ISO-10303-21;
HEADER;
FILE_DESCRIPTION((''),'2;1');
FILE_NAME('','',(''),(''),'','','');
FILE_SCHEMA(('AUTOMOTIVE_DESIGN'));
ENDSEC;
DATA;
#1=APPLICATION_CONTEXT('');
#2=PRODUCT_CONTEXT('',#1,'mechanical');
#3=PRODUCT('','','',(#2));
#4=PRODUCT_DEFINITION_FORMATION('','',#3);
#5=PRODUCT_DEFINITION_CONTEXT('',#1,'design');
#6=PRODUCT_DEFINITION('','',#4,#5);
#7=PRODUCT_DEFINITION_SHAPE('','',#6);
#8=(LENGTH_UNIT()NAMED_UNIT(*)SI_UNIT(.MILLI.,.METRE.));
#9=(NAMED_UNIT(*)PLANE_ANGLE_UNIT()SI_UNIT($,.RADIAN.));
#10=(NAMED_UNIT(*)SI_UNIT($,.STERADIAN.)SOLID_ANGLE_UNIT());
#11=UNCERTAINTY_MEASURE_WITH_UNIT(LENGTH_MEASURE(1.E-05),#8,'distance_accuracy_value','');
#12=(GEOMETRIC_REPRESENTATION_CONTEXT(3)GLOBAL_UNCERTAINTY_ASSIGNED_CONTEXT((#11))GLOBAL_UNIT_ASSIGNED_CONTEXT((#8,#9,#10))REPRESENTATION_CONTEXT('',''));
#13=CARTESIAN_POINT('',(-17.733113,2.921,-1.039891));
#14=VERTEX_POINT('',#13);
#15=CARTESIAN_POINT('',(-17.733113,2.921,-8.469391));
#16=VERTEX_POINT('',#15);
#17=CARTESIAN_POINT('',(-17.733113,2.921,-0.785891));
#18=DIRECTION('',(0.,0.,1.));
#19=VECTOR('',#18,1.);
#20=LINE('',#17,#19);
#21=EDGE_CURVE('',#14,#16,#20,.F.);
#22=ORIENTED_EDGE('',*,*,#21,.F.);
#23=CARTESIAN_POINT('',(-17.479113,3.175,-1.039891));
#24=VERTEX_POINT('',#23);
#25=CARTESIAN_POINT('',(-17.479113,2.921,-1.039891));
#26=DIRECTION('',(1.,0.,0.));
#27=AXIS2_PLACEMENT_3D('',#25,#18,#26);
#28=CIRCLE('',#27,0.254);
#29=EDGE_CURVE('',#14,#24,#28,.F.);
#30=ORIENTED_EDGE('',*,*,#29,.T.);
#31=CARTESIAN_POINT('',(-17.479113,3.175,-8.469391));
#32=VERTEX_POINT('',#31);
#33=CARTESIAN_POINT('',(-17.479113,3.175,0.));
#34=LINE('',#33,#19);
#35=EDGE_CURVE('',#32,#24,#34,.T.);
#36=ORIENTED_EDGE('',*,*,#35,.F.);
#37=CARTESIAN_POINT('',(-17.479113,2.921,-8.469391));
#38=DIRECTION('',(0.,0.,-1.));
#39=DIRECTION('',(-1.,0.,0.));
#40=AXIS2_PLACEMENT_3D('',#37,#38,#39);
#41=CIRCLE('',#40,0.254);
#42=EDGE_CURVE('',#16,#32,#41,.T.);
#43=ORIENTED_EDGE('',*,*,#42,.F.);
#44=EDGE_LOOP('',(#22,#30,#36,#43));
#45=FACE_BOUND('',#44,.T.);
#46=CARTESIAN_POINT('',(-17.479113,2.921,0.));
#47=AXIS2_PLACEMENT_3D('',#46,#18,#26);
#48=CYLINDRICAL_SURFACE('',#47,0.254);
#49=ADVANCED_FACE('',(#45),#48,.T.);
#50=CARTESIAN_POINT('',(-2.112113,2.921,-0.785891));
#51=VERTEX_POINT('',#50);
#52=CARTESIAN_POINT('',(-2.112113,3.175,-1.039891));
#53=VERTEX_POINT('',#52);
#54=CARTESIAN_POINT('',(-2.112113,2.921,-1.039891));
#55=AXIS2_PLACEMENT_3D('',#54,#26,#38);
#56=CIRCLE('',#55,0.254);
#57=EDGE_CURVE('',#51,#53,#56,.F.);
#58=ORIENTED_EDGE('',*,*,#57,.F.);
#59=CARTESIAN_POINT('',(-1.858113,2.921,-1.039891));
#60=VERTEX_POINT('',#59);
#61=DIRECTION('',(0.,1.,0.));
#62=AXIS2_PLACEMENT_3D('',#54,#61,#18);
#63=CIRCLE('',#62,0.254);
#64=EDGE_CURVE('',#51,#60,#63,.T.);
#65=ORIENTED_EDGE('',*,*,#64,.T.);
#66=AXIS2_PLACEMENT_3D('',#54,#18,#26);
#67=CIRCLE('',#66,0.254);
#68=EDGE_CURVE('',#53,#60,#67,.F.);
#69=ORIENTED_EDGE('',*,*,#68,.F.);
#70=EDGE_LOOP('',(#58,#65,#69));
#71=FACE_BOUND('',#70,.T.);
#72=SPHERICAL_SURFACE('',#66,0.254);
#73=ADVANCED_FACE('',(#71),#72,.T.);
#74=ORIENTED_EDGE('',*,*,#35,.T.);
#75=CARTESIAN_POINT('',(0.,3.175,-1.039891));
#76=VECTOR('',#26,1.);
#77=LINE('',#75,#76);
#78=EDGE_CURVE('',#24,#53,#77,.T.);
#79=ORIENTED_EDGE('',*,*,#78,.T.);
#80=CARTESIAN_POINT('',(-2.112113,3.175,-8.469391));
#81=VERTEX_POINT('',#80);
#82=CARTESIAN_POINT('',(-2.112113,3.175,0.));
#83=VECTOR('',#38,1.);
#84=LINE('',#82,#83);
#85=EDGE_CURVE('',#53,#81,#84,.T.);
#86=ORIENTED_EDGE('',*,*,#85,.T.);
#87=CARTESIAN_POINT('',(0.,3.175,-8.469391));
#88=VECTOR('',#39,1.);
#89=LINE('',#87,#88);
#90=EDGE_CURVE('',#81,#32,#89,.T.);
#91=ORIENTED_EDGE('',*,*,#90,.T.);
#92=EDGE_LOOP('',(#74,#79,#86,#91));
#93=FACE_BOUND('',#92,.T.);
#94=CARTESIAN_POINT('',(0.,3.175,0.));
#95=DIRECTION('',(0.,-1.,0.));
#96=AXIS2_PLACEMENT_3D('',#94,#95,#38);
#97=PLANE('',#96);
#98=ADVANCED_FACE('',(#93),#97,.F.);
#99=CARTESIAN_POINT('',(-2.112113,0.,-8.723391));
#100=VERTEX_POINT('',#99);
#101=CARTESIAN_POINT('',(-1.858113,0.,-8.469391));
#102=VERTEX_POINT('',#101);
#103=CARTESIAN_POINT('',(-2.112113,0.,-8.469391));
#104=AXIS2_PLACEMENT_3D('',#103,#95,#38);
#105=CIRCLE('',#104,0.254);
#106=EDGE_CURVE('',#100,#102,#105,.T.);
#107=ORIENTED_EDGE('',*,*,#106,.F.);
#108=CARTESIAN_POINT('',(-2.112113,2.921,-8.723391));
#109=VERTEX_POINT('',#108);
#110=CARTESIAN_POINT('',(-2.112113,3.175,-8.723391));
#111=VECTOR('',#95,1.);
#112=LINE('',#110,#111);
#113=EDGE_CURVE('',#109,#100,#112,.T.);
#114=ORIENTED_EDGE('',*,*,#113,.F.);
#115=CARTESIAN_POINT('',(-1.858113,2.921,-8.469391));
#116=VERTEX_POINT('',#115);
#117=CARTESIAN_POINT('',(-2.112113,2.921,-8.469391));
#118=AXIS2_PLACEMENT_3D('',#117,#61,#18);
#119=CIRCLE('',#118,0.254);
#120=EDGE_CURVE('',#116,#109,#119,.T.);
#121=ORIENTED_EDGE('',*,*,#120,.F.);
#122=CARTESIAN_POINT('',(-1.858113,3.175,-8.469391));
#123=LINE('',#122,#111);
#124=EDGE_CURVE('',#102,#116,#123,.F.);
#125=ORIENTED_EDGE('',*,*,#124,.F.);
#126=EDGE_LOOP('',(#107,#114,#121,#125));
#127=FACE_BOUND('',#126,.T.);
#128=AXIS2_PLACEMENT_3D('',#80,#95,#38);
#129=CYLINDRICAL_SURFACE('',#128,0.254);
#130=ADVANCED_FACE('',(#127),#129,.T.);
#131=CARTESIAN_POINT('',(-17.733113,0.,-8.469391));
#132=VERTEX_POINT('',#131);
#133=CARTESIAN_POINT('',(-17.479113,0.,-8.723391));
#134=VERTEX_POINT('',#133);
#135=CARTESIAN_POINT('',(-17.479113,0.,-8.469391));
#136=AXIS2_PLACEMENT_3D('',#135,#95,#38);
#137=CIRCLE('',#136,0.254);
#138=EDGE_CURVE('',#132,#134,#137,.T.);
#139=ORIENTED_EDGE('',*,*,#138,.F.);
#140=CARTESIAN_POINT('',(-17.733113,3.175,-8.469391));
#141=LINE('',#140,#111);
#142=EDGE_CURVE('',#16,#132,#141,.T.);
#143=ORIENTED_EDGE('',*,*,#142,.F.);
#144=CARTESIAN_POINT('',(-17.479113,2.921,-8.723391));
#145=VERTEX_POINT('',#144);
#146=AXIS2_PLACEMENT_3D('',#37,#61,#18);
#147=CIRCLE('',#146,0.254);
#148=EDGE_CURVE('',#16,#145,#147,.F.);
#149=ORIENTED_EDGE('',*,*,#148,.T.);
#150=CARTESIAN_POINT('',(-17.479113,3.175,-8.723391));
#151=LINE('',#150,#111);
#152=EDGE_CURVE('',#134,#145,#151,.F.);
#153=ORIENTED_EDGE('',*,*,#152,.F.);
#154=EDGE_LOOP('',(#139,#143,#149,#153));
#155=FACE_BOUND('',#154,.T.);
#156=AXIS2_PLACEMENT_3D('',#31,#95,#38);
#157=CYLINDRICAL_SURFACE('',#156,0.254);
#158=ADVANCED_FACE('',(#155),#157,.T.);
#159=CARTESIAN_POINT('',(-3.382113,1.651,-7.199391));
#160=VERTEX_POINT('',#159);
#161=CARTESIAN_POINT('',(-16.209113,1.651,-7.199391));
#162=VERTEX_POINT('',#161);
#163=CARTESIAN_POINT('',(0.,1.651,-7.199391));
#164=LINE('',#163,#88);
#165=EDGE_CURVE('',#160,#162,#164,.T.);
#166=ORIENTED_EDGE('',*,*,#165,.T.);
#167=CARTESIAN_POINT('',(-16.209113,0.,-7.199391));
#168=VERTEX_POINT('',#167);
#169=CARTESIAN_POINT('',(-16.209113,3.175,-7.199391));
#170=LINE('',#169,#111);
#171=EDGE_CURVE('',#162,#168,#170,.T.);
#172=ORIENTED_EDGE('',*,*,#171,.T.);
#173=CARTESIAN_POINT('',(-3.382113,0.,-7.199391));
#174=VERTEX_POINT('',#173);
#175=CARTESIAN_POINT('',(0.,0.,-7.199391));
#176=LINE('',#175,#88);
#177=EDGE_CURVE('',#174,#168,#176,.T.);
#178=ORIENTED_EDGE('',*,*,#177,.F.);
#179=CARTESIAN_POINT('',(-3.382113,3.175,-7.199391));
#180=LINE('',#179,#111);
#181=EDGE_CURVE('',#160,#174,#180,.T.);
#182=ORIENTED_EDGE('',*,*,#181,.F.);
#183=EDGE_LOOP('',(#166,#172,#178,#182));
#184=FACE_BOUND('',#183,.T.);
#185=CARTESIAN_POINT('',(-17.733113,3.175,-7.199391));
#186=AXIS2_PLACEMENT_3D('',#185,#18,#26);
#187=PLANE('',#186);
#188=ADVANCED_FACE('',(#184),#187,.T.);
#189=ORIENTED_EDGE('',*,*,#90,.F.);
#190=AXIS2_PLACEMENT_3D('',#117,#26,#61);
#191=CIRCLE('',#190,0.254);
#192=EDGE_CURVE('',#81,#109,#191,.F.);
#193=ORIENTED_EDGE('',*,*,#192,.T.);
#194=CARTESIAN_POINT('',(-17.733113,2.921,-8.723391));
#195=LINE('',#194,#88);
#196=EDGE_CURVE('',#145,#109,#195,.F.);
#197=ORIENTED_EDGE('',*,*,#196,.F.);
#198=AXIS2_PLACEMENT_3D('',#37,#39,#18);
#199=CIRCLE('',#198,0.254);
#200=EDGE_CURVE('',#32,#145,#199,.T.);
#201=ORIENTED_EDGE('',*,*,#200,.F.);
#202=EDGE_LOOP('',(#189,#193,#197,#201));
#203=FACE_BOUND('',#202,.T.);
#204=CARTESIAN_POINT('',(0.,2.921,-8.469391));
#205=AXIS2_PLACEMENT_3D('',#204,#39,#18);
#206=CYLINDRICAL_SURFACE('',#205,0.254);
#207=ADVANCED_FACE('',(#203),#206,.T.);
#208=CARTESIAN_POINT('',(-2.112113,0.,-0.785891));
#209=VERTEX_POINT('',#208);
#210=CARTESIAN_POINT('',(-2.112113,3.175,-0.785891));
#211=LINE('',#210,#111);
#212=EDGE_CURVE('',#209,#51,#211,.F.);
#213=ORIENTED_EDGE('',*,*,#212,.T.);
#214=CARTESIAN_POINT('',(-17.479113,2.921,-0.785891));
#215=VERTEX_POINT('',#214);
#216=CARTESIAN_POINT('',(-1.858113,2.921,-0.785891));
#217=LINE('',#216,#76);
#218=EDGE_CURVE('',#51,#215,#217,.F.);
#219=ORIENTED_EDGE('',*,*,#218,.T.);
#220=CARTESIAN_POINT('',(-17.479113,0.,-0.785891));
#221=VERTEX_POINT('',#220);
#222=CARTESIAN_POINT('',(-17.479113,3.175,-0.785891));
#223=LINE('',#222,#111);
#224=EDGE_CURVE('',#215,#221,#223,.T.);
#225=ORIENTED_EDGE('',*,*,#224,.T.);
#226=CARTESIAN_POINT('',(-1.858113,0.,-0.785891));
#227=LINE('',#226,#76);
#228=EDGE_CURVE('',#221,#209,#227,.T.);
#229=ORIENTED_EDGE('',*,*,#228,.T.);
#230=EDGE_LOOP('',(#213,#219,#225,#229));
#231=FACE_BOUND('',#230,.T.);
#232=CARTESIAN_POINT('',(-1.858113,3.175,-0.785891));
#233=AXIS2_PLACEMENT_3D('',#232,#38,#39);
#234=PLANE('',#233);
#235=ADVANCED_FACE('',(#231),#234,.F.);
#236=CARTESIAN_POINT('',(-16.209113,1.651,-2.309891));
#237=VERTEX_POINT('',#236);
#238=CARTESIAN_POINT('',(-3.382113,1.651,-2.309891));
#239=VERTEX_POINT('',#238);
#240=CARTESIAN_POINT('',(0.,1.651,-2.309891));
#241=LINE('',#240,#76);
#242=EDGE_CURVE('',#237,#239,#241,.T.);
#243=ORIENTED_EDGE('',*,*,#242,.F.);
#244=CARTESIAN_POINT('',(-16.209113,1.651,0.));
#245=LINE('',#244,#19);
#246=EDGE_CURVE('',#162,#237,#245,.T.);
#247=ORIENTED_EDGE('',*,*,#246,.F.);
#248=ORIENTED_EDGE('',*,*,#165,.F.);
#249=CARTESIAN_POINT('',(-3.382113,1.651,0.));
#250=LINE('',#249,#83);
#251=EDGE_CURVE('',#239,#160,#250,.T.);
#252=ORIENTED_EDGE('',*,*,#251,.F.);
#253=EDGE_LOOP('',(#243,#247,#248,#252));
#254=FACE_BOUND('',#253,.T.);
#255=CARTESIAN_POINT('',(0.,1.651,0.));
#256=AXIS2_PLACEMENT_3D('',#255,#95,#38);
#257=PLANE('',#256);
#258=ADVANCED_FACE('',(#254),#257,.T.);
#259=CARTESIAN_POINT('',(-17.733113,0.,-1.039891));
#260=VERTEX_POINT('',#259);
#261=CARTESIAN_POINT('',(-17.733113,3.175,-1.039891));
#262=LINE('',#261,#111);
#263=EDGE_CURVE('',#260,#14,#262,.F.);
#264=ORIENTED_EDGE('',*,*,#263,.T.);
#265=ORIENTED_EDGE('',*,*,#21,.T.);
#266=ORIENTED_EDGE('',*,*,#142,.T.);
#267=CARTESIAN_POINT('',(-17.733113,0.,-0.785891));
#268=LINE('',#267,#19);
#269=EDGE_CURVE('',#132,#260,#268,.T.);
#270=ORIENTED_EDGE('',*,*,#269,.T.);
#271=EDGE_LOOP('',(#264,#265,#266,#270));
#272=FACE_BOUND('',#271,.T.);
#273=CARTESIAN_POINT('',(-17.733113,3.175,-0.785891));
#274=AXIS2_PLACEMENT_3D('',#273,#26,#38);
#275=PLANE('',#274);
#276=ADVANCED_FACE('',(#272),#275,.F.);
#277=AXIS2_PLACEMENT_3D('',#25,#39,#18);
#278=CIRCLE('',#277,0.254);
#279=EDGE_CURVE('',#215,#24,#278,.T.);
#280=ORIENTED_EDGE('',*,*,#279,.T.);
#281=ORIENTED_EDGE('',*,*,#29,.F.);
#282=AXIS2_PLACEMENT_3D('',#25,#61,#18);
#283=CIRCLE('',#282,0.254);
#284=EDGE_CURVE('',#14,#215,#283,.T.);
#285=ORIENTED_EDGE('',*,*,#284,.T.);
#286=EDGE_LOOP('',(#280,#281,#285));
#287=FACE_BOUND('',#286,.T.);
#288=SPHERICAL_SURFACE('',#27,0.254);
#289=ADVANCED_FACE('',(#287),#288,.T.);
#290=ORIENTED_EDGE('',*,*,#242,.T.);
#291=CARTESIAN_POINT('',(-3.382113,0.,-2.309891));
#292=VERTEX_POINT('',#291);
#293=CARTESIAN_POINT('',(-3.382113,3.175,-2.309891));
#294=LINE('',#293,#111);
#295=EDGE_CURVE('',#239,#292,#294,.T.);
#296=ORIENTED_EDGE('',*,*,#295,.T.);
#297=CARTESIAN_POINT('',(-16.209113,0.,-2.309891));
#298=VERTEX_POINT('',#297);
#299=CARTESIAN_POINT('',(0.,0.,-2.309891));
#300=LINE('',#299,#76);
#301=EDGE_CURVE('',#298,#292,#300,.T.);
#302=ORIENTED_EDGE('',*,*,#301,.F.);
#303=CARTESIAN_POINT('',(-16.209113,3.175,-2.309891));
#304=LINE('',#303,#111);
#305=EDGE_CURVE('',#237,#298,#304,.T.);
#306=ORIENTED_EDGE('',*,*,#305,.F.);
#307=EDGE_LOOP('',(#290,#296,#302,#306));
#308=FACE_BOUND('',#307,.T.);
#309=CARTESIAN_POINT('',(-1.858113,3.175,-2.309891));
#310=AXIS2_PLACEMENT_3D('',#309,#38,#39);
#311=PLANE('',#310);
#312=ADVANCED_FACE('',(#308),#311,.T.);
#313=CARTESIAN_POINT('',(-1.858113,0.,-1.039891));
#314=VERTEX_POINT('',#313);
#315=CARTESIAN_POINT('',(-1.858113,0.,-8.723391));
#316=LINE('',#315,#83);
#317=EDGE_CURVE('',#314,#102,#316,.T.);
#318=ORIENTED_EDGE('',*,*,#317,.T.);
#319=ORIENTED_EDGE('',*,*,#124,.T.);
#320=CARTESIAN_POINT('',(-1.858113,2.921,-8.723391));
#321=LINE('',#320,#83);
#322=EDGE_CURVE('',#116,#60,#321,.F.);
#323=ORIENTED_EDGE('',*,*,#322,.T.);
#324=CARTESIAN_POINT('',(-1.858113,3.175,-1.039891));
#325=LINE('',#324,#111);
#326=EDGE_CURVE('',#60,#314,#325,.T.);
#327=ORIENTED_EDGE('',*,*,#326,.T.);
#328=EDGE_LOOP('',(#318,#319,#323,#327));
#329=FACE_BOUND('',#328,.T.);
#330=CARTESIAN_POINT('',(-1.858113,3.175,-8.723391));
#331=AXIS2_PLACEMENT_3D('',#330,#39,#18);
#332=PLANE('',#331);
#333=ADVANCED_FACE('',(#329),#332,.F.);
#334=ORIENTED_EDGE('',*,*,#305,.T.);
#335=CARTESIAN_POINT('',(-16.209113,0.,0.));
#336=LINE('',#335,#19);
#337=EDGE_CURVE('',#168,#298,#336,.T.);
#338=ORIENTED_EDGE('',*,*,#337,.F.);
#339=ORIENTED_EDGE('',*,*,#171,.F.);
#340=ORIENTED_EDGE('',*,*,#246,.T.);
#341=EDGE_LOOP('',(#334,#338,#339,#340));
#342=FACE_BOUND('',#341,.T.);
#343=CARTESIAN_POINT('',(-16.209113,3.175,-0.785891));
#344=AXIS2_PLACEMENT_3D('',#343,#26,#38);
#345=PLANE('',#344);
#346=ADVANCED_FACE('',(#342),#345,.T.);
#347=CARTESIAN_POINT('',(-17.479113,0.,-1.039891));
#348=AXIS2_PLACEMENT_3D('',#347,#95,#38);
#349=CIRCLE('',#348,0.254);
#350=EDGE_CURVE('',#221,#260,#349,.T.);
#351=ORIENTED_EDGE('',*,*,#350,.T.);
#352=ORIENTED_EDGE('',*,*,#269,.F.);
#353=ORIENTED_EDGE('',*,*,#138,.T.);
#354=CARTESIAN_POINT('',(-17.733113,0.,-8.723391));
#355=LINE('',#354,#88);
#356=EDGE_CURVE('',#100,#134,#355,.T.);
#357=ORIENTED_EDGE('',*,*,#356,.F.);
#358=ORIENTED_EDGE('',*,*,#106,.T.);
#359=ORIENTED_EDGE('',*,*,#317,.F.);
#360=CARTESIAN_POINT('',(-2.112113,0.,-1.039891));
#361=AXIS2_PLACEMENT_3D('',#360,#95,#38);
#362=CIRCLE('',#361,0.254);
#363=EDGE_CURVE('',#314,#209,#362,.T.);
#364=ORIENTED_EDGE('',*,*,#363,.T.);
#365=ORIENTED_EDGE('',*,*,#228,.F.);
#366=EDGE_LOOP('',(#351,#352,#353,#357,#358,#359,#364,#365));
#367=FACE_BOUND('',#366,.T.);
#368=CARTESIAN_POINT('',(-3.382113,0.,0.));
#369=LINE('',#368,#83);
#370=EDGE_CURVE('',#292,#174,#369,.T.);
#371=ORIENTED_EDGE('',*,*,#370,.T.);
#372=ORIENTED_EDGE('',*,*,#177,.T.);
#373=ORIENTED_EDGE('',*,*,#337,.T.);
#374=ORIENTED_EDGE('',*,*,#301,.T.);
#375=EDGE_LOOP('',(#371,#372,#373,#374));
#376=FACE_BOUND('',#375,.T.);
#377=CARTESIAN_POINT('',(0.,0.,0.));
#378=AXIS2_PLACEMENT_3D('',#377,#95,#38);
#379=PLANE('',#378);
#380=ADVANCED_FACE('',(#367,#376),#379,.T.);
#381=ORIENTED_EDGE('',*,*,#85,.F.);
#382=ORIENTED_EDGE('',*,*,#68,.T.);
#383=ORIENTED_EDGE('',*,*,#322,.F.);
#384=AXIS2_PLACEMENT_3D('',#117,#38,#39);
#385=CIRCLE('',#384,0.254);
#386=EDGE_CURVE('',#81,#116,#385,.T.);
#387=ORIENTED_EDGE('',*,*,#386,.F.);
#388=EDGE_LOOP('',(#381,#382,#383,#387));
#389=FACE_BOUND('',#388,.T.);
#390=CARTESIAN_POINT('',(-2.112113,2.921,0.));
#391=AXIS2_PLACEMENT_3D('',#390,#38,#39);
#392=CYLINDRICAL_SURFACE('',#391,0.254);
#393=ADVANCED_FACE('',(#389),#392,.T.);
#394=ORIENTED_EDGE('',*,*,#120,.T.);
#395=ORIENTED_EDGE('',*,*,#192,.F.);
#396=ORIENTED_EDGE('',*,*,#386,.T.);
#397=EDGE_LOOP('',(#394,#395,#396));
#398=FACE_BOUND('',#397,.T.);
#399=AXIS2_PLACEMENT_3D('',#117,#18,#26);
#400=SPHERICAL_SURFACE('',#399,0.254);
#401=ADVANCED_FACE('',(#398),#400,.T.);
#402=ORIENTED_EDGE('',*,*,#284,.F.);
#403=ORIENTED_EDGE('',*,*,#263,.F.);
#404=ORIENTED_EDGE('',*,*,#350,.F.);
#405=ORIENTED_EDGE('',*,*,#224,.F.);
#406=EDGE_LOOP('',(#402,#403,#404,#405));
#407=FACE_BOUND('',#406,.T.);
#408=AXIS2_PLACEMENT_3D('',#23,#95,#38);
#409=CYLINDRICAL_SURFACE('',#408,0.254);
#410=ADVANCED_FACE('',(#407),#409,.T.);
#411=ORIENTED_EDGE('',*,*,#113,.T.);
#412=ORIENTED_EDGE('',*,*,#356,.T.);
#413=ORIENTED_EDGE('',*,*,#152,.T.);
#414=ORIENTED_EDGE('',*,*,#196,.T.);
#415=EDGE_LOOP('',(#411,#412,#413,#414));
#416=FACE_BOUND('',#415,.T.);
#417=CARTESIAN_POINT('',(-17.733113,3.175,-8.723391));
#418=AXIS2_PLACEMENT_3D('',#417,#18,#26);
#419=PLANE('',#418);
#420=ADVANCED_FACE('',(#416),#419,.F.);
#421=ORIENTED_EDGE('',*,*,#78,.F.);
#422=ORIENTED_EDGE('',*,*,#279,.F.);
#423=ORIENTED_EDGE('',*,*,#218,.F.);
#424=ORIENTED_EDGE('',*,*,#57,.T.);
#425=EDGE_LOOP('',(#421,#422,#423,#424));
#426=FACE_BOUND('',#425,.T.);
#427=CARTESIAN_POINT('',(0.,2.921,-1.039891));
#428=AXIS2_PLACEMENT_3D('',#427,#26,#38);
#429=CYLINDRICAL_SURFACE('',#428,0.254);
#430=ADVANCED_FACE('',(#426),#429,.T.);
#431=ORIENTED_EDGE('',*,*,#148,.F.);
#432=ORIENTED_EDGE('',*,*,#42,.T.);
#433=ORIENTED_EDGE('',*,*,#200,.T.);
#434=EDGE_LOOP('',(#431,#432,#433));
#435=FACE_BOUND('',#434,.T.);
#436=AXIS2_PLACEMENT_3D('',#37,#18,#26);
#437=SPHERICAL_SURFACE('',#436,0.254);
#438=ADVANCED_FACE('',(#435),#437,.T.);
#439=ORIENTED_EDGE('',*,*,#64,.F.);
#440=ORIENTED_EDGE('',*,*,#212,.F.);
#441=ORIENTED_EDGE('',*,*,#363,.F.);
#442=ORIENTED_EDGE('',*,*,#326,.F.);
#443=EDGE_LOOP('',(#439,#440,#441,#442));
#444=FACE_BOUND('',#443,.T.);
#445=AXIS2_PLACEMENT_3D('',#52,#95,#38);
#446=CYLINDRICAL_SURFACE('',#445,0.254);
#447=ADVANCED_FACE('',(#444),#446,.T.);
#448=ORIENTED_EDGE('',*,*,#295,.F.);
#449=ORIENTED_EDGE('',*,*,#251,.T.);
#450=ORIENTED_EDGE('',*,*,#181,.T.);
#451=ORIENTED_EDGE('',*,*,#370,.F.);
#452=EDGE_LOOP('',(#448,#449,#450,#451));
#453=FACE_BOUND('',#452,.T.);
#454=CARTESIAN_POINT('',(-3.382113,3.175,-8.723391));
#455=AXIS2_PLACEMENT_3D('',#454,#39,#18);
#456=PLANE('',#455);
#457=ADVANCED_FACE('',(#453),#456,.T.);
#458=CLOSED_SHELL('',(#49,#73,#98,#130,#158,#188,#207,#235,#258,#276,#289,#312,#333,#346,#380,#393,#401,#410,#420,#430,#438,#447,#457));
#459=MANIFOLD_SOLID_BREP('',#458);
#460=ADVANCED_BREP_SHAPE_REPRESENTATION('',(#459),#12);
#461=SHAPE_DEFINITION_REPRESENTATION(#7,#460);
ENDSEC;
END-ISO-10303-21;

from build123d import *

# Parameters (mm, degrees)
SKETCH2_W           = 15.875
SKETCH2_H           = 7.9375
BOSS_EXTRUDE3_DEPTH = 3.175
SHELL1_T            = -1.524
FILLET1_R           = 0.254


with BuildPart() as part:
    # Sketch2 → Boss-Extrude3 (new body)
    with BuildSketch(Plane(origin=(0, 0, 0), x_dir=(1, 0, 0), z_dir=(0, 1, 0))):
        with Locations((-9.795613381, 4.754641089)):
            Rectangle(SKETCH2_W, SKETCH2_H)
    extrude(amount=BOSS_EXTRUDE3_DEPTH)

    # Shell1
    shell1_openings = [part.faces().sort_by_distance(p)[0] for p in [
        (-9.795613381, 0, -4.754641089),
    ]]
    offset(amount=SHELL1_T, openings=shell1_openings, kind=Kind.INTERSECTION)

    # Fillet1
    fillet1_edges = [part.edges().sort_by_distance(p)[0] for p in [
        (-1.858113381, 3.175, -4.754641089),
        (-9.795613381, 3.175, -8.723391089),
        (-17.733113381, 3.175, -4.754641089),
        (-17.733113381, 1.5875, -8.723391089),
        (-1.858113381, 1.5875, -8.723391089),
        (-1.858113381, 1.5875, -0.785891089),
        (-17.733113381, 1.5875, -0.785891089),
        (-9.795613381, 3.175, -0.785891089),
    ]]
    fillet(fillet1_edges, radius=FILLET1_R)


solid = part.part
